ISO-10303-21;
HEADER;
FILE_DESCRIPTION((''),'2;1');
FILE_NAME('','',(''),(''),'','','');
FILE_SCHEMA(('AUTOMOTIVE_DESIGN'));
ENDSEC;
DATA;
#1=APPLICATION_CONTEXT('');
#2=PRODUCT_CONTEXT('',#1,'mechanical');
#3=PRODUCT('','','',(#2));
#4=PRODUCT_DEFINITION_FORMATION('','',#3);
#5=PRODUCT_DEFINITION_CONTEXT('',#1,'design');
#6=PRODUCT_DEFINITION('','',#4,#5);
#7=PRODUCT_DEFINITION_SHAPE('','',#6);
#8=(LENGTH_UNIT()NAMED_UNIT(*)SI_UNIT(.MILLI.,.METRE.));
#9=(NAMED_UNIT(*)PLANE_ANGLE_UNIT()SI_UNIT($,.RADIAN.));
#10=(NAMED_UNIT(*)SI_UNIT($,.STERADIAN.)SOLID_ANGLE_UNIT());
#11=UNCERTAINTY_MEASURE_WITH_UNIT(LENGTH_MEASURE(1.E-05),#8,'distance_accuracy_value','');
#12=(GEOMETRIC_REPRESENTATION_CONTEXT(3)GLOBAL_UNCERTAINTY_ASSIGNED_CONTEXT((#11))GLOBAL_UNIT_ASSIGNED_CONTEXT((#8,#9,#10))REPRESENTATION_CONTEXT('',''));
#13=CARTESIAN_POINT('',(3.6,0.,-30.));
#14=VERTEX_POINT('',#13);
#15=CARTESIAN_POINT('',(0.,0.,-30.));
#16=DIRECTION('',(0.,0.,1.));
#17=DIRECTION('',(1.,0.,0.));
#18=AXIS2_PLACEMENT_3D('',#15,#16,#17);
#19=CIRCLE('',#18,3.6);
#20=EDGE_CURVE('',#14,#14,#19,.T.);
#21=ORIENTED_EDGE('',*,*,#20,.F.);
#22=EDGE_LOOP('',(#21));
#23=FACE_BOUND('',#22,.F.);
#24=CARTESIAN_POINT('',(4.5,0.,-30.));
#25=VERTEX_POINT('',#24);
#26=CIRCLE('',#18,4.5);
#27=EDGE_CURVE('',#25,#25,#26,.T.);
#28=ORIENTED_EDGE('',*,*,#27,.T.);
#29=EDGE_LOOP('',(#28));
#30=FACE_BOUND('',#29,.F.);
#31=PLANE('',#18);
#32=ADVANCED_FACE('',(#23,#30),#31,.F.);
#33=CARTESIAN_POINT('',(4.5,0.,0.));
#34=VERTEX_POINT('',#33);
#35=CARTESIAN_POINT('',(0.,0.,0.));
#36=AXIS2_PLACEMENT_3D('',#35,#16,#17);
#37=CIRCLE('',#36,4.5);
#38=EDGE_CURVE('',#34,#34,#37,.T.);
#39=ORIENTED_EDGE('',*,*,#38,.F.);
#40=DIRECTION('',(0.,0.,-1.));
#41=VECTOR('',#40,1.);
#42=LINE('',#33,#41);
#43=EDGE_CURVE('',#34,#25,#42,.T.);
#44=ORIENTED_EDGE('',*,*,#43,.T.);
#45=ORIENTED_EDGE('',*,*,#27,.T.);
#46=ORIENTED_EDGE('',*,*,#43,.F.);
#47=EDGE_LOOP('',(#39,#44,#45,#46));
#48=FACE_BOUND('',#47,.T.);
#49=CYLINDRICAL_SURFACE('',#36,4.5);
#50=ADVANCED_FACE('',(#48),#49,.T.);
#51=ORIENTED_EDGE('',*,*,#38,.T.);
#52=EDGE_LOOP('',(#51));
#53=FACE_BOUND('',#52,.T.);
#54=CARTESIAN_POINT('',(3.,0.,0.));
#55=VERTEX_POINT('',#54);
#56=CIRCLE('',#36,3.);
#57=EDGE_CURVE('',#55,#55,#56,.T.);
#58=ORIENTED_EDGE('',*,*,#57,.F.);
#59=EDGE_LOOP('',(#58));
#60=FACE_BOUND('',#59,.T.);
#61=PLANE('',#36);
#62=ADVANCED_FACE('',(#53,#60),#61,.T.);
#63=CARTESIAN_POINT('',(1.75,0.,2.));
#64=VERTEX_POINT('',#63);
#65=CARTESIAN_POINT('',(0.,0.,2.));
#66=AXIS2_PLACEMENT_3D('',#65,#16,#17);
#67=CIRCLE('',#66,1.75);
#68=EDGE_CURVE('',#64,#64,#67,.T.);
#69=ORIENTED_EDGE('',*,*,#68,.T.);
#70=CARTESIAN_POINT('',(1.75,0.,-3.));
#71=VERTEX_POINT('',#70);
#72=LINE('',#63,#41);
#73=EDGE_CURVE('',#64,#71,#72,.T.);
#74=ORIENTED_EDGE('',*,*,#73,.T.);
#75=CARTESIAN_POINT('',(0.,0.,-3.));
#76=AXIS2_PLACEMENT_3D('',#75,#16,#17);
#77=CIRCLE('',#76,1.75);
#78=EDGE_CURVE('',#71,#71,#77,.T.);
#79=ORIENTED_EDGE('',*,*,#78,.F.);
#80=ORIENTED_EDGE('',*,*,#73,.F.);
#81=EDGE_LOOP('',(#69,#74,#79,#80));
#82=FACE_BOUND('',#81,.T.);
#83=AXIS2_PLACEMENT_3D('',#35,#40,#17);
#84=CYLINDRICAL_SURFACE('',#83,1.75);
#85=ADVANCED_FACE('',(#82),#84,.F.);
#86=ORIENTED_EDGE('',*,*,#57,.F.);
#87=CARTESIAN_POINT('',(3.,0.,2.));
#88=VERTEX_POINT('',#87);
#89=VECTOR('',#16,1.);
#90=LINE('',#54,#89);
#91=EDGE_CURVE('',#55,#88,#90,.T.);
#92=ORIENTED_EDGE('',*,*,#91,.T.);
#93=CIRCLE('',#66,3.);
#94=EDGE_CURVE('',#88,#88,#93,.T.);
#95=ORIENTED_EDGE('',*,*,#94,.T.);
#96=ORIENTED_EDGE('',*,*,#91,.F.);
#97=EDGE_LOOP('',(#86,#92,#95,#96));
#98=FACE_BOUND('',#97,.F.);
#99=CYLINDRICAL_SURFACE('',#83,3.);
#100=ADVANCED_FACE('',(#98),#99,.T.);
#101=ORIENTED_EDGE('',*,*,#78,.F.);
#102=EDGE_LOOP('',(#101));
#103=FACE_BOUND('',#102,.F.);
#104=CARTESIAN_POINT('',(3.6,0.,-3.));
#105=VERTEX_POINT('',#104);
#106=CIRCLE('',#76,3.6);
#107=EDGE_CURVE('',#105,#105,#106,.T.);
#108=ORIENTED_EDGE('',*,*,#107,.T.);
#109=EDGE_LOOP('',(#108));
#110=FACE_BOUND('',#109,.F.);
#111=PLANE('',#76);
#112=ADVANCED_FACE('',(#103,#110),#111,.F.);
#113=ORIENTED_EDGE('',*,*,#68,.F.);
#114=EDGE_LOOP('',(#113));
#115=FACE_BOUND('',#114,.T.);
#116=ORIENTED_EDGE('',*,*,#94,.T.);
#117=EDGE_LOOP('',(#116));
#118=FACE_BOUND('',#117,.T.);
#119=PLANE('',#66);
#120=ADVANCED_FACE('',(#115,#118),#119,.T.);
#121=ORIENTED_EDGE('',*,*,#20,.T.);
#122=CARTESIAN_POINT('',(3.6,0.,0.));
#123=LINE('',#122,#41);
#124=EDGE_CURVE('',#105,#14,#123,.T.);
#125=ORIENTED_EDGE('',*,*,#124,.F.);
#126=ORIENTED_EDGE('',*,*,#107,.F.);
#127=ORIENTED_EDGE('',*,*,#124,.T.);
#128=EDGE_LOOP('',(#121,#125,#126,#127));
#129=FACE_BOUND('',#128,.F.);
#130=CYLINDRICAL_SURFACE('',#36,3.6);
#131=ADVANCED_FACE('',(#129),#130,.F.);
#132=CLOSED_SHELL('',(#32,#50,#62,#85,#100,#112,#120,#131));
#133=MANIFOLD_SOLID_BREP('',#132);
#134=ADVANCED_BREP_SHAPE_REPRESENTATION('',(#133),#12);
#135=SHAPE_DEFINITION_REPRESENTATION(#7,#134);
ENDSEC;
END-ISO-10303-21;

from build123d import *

# Parameters (mm, degrees)
F0_R     = 4.5
F0_R_2   = 3.6
F1_DEPTH = 30
F0_R_3   = 3
F0_R_4   = 1.75
F2_DEPTH = 3
F3_DEPTH = 2


with BuildPart() as f1:
    # F0 (on Top) → F1 (new body)
    with BuildSketch(Plane.XY):
        Circle(F0_R)
        Circle(F0_R_2, mode=Mode.SUBTRACT)
    extrude(amount=-F1_DEPTH)

    # F0 (on Top) → F2 (join)
    with BuildSketch(Plane.XY):
        Circle(F0_R_2)
        Circle(F0_R_3, mode=Mode.SUBTRACT)
        Circle(F0_R_3)
        Circle(F0_R_4, mode=Mode.SUBTRACT)
    extrude(amount=-F2_DEPTH)

    # F0 (on Top) → F3 (join)
    with BuildSketch(Plane.XY):
        Circle(F0_R_3)
        Circle(F0_R_4, mode=Mode.SUBTRACT)
    extrude(amount=F3_DEPTH)


solid = f1.part
